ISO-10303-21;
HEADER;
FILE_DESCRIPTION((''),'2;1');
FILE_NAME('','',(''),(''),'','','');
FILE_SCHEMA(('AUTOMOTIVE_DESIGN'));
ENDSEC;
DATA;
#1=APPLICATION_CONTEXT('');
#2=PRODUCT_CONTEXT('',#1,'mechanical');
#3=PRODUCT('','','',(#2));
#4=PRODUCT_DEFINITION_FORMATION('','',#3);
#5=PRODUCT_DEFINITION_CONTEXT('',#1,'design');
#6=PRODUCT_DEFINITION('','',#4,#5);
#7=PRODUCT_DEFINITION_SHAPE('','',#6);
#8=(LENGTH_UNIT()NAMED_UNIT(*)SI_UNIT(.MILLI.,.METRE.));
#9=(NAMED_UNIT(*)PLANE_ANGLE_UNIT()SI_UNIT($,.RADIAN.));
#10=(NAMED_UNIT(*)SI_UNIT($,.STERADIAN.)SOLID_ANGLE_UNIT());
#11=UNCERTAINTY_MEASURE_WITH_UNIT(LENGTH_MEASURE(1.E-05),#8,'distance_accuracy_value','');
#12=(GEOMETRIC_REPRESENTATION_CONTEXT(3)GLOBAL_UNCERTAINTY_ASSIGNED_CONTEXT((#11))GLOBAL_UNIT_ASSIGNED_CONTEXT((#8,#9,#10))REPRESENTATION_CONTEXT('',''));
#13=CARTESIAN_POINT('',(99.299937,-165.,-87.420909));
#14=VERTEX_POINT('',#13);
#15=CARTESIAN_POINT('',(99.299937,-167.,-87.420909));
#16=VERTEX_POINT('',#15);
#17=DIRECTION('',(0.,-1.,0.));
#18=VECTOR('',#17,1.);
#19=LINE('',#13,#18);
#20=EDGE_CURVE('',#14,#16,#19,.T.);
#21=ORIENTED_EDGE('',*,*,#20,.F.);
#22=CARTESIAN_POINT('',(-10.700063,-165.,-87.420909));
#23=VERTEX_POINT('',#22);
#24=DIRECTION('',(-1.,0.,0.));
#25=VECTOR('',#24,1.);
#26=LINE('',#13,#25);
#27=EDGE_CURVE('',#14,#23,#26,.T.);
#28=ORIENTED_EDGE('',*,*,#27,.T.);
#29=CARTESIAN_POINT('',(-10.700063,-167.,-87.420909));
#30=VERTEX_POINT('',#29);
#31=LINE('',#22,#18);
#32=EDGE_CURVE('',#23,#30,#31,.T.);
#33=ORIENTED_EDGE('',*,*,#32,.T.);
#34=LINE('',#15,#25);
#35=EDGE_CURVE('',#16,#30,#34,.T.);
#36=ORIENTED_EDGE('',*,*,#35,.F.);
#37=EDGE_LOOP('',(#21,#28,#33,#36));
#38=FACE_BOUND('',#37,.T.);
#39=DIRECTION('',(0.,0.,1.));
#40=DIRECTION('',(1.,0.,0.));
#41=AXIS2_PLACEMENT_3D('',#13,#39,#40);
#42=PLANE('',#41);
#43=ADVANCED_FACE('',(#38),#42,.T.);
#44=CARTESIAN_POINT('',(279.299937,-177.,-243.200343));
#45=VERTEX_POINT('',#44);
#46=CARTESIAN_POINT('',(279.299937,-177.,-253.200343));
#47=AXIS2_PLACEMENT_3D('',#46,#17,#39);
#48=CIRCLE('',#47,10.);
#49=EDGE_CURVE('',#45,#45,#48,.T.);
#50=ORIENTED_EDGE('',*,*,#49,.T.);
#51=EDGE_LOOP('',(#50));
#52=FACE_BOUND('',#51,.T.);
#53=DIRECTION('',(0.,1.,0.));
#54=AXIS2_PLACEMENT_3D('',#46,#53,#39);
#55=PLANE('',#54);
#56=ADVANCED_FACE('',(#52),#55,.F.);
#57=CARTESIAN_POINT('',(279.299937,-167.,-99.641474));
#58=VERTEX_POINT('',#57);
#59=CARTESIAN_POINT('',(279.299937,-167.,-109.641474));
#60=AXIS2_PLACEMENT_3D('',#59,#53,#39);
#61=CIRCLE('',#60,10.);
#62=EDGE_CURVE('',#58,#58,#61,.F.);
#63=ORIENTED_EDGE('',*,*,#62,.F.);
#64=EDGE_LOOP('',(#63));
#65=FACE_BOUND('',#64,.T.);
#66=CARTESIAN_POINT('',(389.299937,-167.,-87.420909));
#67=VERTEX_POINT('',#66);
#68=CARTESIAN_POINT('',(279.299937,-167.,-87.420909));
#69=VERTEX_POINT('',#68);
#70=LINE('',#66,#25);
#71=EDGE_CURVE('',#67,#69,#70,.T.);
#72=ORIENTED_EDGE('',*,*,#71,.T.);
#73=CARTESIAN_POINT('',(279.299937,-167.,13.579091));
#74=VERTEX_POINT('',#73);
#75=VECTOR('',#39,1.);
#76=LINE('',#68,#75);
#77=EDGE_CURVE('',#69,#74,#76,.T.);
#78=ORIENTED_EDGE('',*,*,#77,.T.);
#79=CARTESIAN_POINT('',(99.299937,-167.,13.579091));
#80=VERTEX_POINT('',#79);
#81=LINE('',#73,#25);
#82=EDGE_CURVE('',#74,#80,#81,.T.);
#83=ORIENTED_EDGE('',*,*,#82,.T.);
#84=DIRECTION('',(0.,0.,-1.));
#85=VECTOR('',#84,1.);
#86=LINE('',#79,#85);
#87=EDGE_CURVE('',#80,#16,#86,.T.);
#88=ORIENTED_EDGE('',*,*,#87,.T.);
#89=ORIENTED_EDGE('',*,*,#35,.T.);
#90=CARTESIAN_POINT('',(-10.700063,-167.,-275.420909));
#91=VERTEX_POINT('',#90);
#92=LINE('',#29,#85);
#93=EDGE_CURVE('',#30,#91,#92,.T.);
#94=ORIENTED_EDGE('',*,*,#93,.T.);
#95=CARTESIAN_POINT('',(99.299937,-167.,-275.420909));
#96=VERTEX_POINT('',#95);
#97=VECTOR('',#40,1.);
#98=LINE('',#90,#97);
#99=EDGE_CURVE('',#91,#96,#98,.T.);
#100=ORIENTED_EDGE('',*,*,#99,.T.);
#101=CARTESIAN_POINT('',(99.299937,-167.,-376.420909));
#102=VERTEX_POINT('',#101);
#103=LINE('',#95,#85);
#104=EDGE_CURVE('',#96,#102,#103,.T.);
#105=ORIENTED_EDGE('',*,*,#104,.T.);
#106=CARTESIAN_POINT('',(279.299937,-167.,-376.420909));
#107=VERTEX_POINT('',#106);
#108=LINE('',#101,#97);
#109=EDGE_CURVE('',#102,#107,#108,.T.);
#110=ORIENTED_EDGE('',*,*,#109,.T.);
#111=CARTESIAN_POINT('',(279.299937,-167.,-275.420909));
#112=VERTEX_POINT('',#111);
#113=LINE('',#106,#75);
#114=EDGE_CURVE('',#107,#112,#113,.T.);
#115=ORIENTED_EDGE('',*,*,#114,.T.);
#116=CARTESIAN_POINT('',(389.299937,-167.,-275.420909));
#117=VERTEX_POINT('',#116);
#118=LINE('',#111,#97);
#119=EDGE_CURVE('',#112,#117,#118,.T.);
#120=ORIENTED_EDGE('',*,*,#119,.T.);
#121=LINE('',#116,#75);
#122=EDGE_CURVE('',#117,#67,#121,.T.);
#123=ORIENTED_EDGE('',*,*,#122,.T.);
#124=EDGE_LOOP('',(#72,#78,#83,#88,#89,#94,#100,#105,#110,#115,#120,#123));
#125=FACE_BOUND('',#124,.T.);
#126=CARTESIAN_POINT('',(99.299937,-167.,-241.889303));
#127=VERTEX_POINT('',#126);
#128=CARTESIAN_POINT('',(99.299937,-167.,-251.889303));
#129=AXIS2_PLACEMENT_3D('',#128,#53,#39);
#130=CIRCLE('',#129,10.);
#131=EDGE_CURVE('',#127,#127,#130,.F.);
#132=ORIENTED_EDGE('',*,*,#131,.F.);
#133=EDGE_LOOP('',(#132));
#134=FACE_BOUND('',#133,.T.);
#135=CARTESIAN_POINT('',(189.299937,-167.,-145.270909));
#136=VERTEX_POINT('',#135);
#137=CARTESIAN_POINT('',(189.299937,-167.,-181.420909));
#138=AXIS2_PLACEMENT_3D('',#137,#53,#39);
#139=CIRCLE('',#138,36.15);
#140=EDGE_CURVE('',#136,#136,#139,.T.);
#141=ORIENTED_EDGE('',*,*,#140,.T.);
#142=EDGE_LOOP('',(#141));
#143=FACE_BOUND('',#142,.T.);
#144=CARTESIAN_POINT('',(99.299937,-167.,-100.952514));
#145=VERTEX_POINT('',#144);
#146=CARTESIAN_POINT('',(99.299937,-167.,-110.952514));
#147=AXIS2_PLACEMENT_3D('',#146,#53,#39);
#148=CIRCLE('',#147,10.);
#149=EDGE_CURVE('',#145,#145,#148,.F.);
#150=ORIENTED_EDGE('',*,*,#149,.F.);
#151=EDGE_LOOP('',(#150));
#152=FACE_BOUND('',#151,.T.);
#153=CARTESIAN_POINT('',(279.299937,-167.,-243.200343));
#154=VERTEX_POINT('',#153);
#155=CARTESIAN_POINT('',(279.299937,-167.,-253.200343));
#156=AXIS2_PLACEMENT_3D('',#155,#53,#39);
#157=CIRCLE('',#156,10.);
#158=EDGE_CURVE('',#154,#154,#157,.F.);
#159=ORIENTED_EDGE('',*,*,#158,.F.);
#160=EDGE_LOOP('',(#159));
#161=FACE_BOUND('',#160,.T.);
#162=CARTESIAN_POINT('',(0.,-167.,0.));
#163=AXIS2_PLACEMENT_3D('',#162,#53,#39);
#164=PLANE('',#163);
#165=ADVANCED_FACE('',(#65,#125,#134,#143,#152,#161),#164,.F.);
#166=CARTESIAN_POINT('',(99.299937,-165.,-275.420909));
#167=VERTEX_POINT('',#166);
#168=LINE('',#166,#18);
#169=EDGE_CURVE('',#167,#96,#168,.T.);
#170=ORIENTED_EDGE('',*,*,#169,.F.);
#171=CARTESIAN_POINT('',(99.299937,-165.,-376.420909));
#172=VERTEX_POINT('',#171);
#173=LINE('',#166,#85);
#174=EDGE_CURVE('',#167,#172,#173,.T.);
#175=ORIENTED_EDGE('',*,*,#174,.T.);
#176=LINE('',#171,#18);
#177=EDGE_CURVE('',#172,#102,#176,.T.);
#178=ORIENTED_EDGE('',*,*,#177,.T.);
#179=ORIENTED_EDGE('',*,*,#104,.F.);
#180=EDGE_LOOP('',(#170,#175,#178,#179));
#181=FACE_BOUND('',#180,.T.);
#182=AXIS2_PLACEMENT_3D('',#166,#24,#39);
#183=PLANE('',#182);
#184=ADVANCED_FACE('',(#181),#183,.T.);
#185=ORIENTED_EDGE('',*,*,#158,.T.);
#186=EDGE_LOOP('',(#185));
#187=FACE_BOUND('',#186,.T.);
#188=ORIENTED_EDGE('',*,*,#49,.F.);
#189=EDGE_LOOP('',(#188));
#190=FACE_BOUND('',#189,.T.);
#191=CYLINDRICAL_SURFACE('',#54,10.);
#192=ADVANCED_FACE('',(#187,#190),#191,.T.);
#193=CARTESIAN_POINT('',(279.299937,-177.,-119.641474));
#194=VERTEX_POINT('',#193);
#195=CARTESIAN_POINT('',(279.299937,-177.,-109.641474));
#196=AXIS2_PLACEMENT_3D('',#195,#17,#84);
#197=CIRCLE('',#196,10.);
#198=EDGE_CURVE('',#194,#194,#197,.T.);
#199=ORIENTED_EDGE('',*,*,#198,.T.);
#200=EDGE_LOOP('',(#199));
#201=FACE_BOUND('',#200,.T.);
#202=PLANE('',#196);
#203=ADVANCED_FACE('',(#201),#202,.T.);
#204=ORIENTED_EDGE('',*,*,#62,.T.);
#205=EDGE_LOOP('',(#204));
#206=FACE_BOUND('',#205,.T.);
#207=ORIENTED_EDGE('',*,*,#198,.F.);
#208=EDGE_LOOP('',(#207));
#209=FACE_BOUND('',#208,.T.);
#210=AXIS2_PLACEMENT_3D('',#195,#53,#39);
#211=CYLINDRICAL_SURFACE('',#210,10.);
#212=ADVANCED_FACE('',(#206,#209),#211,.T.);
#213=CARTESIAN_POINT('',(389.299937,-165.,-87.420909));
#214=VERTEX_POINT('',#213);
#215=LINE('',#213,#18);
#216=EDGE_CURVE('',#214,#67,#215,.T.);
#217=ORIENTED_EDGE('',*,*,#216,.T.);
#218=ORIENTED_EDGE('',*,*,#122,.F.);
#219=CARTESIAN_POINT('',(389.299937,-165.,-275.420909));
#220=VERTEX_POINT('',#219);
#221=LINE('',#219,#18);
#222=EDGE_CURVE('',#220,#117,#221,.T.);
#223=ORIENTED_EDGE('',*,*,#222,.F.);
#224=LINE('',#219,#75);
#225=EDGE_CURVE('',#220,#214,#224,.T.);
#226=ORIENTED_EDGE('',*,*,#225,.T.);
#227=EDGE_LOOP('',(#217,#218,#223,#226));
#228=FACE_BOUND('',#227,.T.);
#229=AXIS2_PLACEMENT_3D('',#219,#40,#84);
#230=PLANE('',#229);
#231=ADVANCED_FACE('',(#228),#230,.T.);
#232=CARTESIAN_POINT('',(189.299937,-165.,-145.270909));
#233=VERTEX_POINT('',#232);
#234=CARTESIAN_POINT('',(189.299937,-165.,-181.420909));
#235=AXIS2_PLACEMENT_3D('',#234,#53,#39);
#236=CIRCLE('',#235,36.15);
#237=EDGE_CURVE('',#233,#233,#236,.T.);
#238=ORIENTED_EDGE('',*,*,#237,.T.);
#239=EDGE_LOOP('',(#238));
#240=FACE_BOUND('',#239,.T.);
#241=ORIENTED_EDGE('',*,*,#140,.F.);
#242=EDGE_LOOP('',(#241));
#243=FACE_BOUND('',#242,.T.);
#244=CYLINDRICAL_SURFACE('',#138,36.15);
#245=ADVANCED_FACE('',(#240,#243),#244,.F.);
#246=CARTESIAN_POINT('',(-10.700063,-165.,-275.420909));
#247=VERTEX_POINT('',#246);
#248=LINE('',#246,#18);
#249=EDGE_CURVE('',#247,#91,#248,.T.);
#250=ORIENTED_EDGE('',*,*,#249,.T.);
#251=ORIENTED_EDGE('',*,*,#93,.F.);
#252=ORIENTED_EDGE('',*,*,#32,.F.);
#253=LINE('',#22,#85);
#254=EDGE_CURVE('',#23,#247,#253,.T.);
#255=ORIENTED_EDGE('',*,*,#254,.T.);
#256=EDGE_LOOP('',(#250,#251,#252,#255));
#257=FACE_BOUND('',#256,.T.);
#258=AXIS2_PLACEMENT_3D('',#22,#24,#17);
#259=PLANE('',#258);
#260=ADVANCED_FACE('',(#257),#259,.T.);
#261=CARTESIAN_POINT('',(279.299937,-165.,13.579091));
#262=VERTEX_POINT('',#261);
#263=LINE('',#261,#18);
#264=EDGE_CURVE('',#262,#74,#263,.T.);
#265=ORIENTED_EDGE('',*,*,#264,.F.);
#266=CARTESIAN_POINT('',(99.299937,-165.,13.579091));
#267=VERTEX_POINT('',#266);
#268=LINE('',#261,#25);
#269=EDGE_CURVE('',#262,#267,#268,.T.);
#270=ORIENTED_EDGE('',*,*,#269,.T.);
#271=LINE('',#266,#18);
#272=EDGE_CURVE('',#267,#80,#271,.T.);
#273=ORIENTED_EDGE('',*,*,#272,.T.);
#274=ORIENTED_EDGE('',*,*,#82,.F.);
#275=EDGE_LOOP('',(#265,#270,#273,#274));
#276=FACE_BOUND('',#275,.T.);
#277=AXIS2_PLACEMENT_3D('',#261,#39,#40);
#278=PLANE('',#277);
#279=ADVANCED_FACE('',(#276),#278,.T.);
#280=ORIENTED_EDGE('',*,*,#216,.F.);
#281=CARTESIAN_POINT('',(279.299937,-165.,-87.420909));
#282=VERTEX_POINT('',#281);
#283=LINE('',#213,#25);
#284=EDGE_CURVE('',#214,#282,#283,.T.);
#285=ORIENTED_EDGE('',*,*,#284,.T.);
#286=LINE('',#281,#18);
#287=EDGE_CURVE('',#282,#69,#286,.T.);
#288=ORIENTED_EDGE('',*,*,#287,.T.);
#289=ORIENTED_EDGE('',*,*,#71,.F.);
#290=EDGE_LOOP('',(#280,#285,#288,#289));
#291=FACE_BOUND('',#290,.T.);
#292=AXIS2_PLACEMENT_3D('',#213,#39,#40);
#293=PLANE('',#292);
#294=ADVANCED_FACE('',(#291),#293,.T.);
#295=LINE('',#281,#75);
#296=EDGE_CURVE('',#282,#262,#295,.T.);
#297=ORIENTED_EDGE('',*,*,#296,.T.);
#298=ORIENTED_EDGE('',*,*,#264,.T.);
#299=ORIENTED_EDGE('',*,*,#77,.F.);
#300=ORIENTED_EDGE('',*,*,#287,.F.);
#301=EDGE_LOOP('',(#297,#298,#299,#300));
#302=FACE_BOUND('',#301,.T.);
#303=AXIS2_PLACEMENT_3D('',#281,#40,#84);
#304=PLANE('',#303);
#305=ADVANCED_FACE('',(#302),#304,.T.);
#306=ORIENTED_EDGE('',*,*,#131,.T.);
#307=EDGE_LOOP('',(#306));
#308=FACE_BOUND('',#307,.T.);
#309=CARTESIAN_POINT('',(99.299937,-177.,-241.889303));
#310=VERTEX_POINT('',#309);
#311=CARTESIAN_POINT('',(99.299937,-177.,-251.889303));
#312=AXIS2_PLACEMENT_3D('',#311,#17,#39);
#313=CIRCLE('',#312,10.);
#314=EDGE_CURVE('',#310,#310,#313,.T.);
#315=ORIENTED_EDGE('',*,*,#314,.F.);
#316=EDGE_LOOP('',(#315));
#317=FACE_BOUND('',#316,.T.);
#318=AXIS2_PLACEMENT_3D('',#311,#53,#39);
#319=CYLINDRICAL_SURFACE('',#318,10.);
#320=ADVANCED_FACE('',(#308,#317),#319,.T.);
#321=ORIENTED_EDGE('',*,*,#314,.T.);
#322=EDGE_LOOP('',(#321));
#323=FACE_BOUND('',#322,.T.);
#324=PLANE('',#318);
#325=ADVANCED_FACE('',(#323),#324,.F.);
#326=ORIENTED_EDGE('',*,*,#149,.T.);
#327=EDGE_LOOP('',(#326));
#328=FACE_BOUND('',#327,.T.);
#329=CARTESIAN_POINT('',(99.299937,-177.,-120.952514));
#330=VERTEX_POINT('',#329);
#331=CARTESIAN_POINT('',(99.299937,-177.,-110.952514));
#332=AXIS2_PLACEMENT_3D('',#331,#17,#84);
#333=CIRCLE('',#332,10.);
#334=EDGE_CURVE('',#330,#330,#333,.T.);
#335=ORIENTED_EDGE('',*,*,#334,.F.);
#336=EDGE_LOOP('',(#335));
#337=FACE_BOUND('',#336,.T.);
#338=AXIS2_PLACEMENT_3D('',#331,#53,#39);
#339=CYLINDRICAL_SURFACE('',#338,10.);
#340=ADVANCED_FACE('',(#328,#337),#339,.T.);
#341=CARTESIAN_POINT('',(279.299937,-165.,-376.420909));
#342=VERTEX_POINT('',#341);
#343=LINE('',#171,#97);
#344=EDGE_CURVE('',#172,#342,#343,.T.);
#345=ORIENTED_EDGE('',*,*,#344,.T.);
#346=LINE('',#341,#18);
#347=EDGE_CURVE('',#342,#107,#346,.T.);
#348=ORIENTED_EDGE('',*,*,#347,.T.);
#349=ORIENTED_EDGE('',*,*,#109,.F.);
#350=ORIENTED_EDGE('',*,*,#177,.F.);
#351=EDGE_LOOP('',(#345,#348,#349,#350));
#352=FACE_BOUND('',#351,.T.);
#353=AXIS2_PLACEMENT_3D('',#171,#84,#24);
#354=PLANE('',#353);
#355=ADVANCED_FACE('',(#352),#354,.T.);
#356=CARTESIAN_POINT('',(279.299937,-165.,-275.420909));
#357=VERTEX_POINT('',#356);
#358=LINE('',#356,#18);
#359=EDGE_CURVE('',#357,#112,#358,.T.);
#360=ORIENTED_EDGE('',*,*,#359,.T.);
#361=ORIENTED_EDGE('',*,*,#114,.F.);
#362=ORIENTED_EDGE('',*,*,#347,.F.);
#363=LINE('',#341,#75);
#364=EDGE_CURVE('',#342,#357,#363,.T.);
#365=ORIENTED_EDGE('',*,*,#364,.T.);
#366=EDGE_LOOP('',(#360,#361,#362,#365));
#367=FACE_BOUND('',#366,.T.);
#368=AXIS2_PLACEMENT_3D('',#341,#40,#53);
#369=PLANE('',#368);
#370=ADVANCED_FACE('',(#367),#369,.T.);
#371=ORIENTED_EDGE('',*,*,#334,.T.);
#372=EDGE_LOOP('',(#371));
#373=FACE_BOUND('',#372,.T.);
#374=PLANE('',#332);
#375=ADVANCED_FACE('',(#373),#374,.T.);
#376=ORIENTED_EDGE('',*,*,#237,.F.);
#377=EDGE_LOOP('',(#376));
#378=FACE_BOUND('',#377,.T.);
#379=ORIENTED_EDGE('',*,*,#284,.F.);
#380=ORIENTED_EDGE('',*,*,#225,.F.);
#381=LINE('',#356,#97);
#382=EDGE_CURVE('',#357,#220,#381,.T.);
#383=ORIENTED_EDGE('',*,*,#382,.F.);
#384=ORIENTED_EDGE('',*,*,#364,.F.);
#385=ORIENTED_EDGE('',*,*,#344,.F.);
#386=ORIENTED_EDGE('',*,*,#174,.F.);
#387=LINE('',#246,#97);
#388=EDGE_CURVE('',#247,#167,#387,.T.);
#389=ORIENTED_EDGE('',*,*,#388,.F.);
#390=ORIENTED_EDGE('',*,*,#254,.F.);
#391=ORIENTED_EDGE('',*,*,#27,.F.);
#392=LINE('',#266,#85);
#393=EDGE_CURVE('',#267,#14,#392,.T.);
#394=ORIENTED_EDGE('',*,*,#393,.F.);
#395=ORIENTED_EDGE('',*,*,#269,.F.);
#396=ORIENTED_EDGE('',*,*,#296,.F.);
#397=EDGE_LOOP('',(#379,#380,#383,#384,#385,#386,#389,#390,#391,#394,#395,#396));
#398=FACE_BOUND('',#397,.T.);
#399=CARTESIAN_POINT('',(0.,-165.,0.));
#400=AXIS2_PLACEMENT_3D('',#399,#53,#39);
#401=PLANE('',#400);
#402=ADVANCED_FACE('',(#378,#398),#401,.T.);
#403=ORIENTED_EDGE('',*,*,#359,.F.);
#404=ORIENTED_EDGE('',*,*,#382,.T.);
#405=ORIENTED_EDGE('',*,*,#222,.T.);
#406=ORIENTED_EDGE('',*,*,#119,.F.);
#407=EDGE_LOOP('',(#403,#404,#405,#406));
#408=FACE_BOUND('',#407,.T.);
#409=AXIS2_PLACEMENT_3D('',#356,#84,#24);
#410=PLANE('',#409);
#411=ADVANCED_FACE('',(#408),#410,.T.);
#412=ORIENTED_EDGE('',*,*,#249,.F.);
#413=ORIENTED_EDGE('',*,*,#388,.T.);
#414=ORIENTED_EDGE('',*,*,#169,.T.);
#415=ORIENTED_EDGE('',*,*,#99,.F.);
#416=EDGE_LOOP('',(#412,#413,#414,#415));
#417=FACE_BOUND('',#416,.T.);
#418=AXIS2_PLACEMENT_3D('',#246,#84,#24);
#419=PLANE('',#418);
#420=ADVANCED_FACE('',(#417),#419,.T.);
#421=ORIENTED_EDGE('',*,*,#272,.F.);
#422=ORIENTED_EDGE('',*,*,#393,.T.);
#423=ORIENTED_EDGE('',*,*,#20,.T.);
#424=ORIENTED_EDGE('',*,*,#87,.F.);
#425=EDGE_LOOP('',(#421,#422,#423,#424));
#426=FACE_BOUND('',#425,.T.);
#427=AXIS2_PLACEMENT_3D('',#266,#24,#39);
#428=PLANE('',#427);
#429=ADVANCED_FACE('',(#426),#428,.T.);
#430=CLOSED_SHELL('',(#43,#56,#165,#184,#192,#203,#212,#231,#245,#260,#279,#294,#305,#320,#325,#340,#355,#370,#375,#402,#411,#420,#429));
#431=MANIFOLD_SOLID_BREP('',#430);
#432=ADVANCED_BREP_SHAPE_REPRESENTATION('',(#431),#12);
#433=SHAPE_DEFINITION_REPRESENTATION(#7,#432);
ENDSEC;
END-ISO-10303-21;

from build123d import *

# Parameters (mm, degrees)
BOSS_EXTRUDE1_DEPTH = 2
SKETCH2_R           = 36.15
CUT_EXTRUDE1_DEPTH  = 542.526676351
SKETCH3_R           = 10
BOSS_EXTRUDE2_DEPTH = 10


with BuildPart() as part:
    # Sketch1 → Boss-Extrude1 (new body)
    with BuildSketch(Plane.XZ.offset(167)):
        Polygon((279.299936853, -275.420908514), (389.299936853, -275.420908514), (389.299936853, -87.420908514), (279.299936853, -87.420908514), (279.299936853, 13.579091486), (99.299936853, 13.579091486), (99.299936853, -87.420908514), (-10.700063147, -87.420908514), (-10.700063147, -275.420908514), (99.299936853, -275.420908514), (99.299936853, -376.420908514), (279.299936853, -376.420908514), align=None)
    extrude(amount=-BOSS_EXTRUDE1_DEPTH)

    # Sketch2 → Cut-Extrude1 (cut, through all)
    with BuildSketch(Plane(origin=(0, -165, 0), x_dir=(1, 0, 0), z_dir=(0, 1, 0))):
        with Locations(Location((189.299936853, 181.420908514, 0), (0, 0, 270))):
            Circle(SKETCH2_R)
    extrude(amount=-CUT_EXTRUDE1_DEPTH, mode=Mode.SUBTRACT)

    # Sketch3 → Boss-Extrude2 (add)
    with BuildSketch(Plane.XZ.offset(167)):
        with Locations(Location((99.299936853, -110.952514015, 0), (0, 0, 90))):
            Circle(SKETCH3_R)
        with Locations(Location((279.299936853, -109.641474118, 0), (0, 0, 90))):
            Circle(SKETCH3_R)
        with Locations(Location((279.299936853, -253.20034291, 0), (0, 0, 90))):
            Circle(SKETCH3_R)
        with Locations(Location((99.299936853, -251.889303012, 0), (0, 0, 90))):
            Circle(SKETCH3_R)
    extrude(amount=BOSS_EXTRUDE2_DEPTH)


solid = part.part
